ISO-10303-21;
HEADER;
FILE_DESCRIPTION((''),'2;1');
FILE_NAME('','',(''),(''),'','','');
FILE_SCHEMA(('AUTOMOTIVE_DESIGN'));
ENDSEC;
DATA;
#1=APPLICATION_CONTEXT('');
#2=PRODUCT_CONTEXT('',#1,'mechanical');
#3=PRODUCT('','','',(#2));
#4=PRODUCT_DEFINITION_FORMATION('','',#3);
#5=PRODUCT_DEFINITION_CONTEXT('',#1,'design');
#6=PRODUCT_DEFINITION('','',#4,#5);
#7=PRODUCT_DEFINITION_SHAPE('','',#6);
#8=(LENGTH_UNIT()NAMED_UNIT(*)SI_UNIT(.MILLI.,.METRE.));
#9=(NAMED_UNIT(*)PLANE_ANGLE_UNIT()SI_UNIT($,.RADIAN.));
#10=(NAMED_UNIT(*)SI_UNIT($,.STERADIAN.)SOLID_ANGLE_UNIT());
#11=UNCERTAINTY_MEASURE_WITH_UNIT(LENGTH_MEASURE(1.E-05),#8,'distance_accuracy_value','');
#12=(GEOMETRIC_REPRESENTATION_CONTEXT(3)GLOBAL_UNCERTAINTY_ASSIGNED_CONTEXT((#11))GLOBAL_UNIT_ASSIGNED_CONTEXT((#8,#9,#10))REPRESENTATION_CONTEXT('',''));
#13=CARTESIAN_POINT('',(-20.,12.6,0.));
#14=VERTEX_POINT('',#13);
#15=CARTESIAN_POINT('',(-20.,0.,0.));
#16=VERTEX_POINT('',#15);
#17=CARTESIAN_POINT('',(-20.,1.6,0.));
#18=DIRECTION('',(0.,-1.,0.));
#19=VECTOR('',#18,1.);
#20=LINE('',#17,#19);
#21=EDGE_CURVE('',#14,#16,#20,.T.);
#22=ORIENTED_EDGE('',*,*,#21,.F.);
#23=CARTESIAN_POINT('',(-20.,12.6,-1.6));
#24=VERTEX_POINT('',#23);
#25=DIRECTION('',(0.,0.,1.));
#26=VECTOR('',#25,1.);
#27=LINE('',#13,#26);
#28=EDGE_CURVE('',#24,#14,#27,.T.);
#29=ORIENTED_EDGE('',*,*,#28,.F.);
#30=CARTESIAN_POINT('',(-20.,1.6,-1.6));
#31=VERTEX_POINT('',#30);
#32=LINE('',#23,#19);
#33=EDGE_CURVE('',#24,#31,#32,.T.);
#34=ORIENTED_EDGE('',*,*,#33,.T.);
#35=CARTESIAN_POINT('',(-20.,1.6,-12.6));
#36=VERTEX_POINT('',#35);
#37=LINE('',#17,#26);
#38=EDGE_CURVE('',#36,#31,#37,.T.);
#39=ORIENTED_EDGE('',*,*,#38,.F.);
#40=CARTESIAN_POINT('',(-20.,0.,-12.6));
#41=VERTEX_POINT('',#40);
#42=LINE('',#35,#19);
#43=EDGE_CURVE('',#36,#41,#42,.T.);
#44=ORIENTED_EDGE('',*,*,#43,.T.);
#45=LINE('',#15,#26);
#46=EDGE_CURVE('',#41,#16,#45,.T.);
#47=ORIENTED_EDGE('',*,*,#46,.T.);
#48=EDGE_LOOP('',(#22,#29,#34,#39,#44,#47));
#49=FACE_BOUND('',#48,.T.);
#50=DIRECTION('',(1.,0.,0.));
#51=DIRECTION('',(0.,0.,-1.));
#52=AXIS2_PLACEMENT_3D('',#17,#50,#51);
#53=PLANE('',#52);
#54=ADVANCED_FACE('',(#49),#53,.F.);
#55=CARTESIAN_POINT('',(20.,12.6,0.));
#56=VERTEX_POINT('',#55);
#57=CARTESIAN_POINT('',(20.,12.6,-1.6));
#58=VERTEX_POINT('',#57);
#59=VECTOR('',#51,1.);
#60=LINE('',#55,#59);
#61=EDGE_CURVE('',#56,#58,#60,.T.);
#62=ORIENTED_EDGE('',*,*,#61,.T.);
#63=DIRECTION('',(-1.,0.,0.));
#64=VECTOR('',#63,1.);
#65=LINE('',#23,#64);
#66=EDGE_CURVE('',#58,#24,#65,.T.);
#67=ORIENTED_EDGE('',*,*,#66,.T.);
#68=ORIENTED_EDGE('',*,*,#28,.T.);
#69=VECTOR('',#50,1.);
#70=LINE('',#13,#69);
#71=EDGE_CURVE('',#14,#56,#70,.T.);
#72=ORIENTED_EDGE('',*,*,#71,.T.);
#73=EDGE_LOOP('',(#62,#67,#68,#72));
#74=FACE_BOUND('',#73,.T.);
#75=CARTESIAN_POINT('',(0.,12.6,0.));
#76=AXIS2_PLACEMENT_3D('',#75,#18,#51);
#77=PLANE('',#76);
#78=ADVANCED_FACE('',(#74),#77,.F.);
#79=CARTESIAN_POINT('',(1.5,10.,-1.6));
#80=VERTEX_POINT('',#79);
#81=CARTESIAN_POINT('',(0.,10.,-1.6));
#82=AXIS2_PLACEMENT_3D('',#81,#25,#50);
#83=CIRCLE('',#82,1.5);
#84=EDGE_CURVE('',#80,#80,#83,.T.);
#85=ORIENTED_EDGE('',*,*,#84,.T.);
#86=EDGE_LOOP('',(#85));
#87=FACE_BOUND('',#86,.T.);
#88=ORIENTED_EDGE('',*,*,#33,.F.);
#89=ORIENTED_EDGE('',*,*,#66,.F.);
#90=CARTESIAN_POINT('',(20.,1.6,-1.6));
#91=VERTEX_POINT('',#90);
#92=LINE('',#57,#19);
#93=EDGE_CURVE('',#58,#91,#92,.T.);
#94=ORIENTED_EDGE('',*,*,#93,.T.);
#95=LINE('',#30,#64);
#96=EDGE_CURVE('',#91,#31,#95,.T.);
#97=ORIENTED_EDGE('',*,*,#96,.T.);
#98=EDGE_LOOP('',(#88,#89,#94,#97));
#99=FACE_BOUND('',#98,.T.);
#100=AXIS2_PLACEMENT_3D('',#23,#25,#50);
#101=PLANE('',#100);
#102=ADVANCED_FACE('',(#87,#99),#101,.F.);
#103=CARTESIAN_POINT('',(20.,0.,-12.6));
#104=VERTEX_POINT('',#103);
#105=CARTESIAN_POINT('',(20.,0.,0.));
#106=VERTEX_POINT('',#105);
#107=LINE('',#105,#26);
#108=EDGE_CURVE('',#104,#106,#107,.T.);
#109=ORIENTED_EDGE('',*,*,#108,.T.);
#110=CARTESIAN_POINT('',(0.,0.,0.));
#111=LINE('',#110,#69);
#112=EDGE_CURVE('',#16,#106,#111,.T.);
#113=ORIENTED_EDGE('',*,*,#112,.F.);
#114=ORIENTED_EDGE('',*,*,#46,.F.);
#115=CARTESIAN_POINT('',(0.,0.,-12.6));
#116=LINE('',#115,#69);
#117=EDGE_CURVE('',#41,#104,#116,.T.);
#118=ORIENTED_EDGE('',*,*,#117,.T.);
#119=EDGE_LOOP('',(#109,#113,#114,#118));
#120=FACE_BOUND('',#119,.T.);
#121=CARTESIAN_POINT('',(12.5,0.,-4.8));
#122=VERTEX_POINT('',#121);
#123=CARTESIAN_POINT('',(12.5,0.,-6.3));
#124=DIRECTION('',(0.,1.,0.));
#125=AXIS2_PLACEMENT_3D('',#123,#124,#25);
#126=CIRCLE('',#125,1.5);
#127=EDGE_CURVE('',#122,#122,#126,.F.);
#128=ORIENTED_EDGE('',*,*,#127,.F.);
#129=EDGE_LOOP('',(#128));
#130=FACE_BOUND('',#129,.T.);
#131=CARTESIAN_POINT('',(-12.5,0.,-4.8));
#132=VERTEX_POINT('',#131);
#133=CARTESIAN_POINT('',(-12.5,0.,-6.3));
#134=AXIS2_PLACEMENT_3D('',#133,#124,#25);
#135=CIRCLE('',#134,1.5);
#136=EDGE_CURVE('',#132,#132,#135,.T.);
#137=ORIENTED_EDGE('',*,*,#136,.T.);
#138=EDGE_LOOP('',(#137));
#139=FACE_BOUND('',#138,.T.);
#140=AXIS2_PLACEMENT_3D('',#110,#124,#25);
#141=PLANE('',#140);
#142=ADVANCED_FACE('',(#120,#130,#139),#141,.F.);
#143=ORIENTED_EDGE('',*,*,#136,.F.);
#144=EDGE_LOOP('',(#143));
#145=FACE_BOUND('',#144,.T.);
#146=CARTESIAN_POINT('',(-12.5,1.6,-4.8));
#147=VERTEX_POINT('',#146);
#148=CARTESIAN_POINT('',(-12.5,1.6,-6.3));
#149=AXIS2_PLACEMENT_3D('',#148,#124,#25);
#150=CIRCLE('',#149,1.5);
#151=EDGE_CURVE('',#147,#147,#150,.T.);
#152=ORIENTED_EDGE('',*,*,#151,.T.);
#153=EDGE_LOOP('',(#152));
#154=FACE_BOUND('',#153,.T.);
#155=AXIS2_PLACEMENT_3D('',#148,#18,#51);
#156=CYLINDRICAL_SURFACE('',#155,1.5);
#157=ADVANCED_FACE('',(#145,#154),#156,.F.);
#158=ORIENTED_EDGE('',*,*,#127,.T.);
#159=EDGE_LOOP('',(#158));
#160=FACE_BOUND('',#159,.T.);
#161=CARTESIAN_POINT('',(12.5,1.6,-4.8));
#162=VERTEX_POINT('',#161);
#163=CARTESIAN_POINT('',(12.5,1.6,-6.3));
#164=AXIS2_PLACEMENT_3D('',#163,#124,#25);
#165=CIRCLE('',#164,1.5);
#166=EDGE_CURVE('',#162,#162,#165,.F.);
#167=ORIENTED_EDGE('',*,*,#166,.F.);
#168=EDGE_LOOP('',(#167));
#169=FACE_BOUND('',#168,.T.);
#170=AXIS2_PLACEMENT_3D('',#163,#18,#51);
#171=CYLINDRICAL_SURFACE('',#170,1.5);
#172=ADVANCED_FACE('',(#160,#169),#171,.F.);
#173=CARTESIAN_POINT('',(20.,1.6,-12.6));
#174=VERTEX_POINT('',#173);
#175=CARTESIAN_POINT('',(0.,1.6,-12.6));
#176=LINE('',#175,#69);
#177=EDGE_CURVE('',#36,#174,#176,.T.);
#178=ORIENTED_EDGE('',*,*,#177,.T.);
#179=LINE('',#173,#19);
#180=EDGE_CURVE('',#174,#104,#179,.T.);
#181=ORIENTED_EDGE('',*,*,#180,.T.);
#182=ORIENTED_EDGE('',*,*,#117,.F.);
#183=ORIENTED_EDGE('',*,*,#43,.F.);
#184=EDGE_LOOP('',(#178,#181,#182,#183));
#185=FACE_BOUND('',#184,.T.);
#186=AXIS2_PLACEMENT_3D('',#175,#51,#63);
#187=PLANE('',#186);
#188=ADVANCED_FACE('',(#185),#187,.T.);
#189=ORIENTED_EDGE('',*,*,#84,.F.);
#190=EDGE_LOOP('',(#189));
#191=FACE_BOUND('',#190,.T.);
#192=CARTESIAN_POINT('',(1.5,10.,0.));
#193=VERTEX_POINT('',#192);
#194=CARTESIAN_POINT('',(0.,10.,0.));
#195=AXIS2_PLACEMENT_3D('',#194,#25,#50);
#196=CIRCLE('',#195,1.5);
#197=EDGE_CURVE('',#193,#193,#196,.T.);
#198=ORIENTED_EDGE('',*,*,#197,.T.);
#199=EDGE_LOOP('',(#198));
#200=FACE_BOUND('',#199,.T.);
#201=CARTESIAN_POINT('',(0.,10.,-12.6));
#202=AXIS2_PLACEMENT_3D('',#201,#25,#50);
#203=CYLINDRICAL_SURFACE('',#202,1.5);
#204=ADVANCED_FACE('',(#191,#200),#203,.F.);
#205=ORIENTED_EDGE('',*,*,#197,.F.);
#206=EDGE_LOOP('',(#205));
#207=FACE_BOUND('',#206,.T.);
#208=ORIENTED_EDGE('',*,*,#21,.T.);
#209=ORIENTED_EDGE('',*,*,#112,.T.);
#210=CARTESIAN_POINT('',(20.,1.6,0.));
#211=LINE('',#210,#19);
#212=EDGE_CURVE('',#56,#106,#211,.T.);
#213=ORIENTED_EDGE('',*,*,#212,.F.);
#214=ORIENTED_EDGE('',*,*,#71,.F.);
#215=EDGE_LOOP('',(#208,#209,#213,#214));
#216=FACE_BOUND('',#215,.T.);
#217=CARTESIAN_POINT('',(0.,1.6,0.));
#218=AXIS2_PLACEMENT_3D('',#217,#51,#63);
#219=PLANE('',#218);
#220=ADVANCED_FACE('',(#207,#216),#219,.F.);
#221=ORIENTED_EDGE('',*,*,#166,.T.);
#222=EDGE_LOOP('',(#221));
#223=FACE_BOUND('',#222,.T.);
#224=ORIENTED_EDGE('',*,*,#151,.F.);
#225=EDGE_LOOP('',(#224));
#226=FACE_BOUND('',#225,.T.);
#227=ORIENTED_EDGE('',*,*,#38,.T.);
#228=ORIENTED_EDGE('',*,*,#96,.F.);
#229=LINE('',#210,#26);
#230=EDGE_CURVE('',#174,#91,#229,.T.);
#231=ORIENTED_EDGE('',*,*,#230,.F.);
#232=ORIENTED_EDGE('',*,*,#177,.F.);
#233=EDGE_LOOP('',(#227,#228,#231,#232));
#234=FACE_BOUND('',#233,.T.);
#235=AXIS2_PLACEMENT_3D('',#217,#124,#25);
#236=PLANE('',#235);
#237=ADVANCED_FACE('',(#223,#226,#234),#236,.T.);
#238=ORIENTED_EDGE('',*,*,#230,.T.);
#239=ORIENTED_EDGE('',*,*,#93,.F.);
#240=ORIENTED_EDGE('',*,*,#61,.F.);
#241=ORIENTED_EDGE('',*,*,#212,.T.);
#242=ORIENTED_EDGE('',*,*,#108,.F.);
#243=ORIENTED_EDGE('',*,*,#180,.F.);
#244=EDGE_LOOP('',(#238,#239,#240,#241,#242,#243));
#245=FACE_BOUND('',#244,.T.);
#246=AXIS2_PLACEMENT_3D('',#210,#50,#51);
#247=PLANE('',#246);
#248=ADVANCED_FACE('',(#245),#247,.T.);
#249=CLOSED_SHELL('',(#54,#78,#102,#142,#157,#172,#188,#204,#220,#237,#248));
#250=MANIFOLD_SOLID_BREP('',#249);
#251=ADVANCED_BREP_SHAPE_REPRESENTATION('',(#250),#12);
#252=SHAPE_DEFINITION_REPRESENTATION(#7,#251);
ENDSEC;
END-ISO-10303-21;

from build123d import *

# Parameters (mm, degrees)
BOSS_EXTRUDE1_DEPTH = 1.6
SKETCH3_W           = 40
SKETCH3_H           = 1.6
BOSS_EXTRUDE3_DEPTH = 11
SKETCH4_R           = 1.5
CUT_EXTRUDE2_DEPTH  = 27.786563796


with BuildPart() as part:
    # Sketch1 → Boss-Extrude1 (new body)
    with BuildSketch(Plane(origin=(0, 0, 0), x_dir=(1, 0, 0), z_dir=(0, 1, 0))):
        with BuildLine():
            Line((0, 0), (0, 6.3))
            Line((0, 6.3), (-11, 6.3))
            ThreePointArc((-11, 6.3), (-12.5, 4.8), (-14, 6.3))
            Line((-14, 6.3), (-20, 6.3))
            Line((-20, 6.3), (-20, 0))
            Line((-20, 0), (0, 0))
        make_face()
        with BuildLine():
            Line((20, 6.3), (14, 6.3))
            ThreePointArc((14, 6.3), (12.5, 4.8), (11, 6.3))
            Line((11, 6.3), (0, 6.3))
            Line((0, 6.3), (0, 0))
            Line((0, 0), (20, 0))
            Line((20, 0), (20, 6.3))
        make_face()
        with BuildLine():
            ThreePointArc((11, 6.3), (12.5, 7.8), (14, 6.3))
            Line((14, 6.3), (20, 6.3))
            Line((20, 6.3), (20, 12.6))
            Line((20, 12.6), (0, 12.6))
            Line((0, 12.6), (0, 6.3))
            Line((0, 6.3), (11, 6.3))
        make_face()
        with BuildLine():
            Line((-11, 6.3), (0, 6.3))
            Line((0, 6.3), (0, 12.6))
            Line((0, 12.6), (-20, 12.6))
            Line((-20, 12.6), (-20, 6.3))
            Line((-20, 6.3), (-14, 6.3))
            ThreePointArc((-14, 6.3), (-12.5, 7.8), (-11, 6.3))
        make_face()
    extrude(amount=BOSS_EXTRUDE1_DEPTH)

    # Sketch3 → Boss-Extrude3 (add)
    with BuildSketch(Plane(origin=(0, 1.6, 0), x_dir=(1, 0, 0), z_dir=(0, 1, 0))):
        with Locations((0, 0.8)):
            Rectangle(SKETCH3_W, SKETCH3_H)
    extrude(amount=BOSS_EXTRUDE3_DEPTH)

    # Sketch4 → Cut-Extrude2 (cut, through all)
    with BuildSketch(Plane.XY):
        with Locations((0, 10)):
            Circle(SKETCH4_R)
    extrude(amount=-CUT_EXTRUDE2_DEPTH, mode=Mode.SUBTRACT)


solid = part.part
